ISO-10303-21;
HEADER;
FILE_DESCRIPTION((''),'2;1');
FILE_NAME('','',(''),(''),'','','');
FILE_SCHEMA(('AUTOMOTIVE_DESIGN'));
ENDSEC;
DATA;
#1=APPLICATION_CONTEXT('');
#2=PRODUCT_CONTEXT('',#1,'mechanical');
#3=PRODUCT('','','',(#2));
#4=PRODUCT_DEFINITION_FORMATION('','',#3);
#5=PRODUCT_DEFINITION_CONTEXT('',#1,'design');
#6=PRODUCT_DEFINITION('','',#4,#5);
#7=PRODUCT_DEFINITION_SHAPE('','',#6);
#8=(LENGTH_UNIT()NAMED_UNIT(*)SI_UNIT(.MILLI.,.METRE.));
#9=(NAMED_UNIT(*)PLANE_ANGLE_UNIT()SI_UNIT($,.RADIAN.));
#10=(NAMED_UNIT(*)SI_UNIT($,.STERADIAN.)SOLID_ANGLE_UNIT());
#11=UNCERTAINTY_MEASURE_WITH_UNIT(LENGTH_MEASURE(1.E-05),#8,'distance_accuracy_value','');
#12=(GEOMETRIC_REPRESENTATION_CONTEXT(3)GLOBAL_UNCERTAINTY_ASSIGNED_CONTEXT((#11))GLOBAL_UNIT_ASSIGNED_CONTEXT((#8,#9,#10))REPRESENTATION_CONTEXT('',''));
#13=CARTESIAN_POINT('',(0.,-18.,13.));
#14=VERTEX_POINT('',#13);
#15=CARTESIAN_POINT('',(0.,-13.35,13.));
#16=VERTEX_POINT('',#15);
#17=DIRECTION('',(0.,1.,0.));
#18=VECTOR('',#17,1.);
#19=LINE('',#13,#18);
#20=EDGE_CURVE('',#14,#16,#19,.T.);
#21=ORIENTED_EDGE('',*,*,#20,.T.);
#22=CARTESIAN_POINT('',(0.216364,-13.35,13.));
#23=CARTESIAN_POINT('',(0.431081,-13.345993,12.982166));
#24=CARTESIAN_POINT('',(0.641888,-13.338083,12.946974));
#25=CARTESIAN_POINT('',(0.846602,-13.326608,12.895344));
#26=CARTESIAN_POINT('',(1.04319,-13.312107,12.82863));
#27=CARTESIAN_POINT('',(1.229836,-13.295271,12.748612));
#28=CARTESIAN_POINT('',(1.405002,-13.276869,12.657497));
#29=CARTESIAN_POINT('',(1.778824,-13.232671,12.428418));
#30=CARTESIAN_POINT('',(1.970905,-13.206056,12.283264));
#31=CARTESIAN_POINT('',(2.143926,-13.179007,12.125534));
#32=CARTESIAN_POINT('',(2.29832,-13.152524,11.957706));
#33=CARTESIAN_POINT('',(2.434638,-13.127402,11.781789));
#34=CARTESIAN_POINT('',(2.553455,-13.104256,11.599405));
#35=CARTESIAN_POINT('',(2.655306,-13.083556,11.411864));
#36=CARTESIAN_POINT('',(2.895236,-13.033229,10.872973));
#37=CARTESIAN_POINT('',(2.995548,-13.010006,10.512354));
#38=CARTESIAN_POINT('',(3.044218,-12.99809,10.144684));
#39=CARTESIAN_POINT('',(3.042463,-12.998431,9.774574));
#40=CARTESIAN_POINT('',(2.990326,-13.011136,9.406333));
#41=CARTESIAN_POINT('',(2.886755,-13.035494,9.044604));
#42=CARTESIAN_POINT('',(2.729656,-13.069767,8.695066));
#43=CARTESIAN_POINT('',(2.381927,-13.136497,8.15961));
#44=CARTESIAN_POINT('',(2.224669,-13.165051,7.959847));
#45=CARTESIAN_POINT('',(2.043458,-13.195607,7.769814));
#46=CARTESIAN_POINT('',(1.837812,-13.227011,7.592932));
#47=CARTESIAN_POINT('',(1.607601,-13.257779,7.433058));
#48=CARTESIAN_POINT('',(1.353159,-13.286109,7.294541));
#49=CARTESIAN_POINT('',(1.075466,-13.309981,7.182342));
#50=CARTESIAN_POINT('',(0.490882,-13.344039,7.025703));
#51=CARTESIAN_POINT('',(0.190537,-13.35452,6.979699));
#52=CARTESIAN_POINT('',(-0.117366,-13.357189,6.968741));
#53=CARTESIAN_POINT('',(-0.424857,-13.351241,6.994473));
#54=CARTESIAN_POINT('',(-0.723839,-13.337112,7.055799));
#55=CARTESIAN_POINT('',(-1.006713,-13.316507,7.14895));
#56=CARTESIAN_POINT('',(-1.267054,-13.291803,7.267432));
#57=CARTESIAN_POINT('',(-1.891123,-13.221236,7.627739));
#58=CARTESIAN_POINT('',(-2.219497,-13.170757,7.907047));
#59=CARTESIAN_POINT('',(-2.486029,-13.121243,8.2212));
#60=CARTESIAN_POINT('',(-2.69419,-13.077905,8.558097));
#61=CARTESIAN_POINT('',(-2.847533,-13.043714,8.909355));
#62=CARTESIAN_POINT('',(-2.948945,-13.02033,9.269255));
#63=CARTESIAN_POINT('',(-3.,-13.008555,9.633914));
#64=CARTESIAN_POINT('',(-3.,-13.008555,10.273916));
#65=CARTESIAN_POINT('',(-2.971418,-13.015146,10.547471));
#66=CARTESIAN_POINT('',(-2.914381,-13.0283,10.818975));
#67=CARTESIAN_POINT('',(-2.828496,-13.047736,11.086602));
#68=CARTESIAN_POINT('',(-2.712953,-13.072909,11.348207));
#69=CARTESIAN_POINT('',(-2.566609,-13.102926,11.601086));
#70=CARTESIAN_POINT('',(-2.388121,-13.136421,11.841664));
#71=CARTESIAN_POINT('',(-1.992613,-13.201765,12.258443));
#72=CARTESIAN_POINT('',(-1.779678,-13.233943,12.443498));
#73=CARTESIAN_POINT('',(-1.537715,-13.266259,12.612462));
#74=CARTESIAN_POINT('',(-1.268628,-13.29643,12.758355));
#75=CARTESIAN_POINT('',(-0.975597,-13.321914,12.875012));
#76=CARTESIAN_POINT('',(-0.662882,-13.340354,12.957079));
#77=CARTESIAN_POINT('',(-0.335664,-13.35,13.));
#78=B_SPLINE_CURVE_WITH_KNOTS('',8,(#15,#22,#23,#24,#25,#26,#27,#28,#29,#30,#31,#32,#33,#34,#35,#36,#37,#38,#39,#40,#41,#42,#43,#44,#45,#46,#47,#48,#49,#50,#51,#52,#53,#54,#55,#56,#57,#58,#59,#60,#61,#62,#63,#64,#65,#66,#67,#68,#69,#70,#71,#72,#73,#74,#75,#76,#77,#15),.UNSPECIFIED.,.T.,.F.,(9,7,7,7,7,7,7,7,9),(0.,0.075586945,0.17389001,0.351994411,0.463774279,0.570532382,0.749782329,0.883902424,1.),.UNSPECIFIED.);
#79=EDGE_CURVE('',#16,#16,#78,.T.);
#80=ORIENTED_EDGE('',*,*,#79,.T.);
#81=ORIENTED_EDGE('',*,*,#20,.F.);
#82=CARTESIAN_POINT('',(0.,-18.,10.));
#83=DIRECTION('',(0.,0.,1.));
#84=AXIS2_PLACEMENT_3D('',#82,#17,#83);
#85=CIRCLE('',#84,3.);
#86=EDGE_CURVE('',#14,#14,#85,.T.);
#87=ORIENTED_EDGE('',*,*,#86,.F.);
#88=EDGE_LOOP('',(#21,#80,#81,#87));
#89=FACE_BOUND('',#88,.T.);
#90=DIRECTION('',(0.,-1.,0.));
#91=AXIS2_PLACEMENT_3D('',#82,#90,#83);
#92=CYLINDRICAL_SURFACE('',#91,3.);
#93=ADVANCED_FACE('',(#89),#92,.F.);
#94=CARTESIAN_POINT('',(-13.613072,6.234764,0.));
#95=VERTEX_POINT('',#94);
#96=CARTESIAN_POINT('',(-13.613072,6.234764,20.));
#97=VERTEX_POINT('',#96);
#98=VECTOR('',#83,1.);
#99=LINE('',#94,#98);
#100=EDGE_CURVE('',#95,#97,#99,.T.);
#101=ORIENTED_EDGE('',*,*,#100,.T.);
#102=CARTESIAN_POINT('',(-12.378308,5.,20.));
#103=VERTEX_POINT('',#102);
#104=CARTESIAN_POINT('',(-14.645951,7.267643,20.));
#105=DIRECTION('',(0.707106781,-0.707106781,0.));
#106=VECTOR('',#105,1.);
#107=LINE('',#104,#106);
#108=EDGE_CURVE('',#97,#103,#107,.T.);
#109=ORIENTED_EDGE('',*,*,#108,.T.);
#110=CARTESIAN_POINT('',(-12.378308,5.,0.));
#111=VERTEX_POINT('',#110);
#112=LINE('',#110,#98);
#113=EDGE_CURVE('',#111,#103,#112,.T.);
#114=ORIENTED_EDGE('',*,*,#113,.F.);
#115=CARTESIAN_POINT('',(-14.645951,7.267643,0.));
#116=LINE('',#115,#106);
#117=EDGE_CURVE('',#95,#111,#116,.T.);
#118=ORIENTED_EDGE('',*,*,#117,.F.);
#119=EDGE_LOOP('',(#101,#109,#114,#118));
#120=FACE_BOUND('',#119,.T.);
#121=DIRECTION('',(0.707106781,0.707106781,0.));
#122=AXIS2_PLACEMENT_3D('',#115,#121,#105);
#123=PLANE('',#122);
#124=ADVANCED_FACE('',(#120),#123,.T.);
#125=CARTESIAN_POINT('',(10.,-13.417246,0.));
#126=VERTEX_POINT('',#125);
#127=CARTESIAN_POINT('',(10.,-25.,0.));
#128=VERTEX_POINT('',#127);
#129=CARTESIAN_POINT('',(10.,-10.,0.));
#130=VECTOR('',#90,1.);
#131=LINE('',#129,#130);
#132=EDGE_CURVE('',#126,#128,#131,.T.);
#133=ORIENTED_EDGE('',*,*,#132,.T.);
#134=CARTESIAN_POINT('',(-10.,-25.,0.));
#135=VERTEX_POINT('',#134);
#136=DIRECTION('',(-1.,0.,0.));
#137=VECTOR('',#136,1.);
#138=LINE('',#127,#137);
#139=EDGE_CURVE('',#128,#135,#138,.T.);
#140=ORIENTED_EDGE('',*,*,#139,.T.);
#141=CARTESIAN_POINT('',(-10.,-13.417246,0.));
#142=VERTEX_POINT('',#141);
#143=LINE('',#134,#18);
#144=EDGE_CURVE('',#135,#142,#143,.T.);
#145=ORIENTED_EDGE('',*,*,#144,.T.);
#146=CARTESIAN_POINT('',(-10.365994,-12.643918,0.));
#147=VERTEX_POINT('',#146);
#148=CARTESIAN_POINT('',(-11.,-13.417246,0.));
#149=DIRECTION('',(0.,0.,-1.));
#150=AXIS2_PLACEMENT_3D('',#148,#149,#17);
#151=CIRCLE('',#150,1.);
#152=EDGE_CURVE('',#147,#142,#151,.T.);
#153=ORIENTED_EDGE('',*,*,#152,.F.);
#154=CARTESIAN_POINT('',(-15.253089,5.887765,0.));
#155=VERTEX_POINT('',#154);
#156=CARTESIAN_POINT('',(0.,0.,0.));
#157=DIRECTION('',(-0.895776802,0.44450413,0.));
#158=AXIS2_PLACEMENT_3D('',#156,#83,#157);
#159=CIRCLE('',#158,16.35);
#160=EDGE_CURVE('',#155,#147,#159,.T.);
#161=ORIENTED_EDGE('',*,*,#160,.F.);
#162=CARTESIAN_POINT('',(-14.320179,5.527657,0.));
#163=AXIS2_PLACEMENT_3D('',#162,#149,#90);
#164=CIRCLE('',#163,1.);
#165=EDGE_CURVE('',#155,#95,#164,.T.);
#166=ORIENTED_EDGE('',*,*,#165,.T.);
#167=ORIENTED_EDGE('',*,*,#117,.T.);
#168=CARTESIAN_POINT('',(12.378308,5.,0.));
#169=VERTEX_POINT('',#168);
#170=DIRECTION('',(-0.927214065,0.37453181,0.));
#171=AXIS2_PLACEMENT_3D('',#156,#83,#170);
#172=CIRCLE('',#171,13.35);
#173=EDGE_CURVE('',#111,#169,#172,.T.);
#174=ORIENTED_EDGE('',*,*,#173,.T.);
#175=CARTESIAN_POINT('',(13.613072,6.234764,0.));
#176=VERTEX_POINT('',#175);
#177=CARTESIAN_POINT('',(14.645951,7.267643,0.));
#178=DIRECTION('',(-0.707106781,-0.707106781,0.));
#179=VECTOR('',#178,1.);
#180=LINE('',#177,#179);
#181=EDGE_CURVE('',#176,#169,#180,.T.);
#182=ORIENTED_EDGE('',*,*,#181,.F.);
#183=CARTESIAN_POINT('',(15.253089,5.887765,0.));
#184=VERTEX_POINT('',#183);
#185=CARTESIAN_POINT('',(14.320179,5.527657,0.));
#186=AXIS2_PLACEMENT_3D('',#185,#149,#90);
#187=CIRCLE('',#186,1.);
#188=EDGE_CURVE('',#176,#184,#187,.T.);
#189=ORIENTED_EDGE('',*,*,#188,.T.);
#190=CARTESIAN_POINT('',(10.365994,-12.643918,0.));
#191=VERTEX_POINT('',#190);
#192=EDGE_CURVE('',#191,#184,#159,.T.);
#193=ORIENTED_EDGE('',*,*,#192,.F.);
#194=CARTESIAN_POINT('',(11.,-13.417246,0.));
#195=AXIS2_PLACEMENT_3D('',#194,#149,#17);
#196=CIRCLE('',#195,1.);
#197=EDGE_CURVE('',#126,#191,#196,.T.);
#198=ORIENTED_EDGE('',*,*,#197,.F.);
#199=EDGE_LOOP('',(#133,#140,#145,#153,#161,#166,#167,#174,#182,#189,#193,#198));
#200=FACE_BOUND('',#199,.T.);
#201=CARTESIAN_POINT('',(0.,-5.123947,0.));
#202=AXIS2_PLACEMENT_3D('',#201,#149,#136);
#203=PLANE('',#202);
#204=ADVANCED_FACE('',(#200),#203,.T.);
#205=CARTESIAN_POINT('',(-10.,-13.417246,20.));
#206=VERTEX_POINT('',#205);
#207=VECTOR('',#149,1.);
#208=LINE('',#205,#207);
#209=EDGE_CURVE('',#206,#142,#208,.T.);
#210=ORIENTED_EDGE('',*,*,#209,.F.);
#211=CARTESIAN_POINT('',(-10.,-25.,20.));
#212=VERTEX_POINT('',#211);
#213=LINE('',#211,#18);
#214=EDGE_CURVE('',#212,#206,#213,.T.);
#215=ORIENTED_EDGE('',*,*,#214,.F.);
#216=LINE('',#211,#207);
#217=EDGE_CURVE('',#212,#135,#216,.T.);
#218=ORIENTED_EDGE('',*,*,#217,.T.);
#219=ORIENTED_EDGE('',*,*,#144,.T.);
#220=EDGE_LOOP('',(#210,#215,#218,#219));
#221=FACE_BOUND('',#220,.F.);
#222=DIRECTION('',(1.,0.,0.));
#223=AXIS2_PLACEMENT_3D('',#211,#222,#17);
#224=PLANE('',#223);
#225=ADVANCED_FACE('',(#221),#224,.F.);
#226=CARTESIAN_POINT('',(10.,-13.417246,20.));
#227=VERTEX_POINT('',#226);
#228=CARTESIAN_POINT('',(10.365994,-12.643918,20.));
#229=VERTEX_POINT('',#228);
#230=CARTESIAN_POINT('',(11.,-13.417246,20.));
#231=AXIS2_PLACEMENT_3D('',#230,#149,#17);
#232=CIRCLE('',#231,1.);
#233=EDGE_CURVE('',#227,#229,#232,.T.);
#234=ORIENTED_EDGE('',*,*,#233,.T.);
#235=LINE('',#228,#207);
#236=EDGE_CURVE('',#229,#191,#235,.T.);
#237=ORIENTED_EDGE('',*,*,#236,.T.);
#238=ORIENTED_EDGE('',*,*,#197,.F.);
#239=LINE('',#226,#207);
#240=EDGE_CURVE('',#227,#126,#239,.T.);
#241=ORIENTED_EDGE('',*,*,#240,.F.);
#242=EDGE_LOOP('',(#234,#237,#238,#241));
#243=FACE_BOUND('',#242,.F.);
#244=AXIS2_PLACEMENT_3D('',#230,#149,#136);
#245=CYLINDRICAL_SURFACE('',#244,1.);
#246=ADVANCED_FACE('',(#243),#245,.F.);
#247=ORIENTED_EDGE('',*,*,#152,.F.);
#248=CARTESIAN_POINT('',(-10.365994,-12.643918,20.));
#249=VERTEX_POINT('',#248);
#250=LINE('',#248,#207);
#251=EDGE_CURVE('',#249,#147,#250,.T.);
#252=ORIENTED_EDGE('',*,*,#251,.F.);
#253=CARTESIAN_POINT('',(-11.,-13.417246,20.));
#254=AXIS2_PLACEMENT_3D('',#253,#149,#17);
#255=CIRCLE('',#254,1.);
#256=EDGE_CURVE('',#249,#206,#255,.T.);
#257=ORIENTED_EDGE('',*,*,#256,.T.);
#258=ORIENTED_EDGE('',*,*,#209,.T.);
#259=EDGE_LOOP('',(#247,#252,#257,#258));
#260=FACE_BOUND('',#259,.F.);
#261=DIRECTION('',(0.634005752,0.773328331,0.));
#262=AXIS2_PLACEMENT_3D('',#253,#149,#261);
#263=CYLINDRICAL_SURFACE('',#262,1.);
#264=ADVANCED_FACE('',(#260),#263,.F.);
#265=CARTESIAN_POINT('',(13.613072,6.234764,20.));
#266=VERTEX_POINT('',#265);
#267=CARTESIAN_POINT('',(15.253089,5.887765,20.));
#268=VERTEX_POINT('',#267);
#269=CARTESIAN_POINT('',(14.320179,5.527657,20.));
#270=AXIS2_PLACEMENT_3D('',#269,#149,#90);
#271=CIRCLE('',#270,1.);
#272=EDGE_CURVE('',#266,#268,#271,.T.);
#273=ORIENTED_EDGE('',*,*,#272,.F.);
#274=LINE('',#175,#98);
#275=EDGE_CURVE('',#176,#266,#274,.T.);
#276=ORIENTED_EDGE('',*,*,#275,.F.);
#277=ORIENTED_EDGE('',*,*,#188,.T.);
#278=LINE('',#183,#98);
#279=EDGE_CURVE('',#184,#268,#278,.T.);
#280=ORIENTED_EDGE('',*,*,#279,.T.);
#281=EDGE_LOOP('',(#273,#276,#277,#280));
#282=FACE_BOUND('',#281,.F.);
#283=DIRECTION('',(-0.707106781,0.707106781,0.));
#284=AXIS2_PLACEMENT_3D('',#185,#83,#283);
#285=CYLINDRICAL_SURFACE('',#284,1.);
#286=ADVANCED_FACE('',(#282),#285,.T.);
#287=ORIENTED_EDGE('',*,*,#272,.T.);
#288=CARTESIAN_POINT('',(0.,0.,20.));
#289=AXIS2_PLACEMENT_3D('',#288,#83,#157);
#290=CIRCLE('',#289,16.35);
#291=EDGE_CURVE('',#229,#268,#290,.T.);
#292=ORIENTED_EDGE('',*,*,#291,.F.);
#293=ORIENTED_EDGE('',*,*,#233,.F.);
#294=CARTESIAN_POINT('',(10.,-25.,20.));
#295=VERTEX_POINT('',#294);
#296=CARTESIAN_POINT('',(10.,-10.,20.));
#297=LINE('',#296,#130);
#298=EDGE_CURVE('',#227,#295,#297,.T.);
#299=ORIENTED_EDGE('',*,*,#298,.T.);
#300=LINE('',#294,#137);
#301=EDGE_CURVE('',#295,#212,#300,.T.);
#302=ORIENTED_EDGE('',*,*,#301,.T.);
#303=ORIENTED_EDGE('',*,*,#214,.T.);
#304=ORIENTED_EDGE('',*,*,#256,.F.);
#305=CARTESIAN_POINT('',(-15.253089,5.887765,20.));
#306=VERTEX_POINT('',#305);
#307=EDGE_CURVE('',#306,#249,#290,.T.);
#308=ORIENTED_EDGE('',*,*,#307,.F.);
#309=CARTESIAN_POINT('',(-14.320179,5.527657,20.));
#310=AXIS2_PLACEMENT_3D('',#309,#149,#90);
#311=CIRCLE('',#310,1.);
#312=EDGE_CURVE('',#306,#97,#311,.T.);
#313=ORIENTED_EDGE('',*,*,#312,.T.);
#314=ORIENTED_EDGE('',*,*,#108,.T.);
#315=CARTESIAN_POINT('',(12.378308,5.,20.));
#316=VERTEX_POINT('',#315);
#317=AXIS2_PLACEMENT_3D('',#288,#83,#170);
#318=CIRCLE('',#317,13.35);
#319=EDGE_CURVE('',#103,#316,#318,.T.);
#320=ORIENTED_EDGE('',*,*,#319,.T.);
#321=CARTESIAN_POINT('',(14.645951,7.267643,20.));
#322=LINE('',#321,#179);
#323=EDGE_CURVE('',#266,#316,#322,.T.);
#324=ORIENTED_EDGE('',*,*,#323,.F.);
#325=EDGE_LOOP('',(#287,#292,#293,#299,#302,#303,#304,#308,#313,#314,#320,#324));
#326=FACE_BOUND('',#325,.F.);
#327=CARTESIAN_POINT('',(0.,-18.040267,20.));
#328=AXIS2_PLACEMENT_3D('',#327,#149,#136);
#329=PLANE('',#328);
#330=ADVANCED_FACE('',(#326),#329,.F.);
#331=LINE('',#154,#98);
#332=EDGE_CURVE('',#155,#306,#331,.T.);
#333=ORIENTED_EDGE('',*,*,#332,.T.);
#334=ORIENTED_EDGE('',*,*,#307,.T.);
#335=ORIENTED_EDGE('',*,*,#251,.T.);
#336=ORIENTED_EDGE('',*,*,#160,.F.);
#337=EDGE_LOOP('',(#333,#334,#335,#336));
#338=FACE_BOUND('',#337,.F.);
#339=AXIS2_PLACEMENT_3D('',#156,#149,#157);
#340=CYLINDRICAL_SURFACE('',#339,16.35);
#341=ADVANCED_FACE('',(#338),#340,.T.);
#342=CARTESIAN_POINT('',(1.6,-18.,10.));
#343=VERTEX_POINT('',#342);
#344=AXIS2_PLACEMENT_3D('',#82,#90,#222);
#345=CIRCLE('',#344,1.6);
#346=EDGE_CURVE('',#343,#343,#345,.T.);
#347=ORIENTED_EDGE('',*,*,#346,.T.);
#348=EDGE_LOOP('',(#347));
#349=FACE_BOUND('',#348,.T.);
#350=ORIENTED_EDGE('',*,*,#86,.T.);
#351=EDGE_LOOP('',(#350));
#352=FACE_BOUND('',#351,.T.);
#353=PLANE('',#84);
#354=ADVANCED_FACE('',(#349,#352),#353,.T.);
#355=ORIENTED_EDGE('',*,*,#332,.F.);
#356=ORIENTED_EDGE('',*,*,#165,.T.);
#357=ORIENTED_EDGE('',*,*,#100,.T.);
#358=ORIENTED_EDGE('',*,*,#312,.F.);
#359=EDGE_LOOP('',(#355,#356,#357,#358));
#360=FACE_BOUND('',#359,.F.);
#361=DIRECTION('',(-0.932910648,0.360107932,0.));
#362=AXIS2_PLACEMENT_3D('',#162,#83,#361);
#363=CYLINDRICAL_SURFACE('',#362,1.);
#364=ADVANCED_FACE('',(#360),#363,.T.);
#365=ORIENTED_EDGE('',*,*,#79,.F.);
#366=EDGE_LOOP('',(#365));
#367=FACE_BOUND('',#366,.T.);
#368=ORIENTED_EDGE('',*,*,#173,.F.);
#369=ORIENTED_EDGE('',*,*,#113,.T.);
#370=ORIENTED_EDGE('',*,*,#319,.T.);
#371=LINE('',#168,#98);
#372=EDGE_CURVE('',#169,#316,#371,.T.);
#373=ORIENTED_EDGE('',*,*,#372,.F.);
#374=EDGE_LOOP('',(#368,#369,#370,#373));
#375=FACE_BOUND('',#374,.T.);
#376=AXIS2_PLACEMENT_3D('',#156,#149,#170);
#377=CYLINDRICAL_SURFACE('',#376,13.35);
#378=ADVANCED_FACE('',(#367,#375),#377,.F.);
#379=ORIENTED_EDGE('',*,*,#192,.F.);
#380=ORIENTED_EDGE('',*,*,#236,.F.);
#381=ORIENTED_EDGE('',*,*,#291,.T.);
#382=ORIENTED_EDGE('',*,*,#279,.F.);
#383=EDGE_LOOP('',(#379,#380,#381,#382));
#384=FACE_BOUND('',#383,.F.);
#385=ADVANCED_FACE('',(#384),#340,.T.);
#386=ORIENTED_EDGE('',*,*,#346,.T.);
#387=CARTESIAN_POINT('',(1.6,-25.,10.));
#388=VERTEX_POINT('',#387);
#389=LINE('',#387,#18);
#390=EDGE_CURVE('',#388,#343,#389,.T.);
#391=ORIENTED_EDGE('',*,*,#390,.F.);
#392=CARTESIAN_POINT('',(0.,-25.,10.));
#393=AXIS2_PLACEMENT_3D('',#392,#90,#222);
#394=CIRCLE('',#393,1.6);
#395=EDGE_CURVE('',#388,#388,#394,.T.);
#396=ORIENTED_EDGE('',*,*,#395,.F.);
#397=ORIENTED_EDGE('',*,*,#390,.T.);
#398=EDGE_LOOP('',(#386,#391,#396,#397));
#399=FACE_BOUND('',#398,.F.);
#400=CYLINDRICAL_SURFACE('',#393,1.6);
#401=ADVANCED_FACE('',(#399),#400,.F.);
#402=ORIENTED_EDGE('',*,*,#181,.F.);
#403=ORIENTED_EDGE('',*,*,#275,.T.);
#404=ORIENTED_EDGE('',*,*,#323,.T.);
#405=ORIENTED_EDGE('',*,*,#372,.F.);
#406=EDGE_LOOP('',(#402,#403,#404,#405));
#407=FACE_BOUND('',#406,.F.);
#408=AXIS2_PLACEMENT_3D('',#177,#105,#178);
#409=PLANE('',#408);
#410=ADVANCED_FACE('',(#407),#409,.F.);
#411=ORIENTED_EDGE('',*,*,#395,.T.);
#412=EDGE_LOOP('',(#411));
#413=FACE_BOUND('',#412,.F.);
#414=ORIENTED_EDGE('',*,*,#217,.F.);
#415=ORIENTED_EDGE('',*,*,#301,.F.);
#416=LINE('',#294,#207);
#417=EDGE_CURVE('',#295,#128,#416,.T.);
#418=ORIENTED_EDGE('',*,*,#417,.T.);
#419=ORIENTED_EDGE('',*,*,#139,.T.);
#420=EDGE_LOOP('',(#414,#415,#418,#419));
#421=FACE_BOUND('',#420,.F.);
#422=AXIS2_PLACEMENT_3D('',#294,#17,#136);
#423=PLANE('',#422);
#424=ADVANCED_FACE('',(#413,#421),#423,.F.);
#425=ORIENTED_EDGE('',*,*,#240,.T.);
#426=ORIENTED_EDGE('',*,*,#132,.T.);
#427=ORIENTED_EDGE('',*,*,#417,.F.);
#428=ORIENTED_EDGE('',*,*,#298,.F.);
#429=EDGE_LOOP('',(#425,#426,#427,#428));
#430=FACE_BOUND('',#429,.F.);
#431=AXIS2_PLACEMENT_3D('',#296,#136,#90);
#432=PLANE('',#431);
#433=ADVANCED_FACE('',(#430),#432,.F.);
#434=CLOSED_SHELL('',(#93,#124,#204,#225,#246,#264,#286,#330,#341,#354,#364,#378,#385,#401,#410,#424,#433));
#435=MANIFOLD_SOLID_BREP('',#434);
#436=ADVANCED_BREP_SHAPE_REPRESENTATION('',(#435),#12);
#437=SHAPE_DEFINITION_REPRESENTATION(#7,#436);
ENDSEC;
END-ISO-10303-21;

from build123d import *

# Parameters (mm, degrees)
CYLINDER_R     = 3
CYLINDER_DEPTH = 10
PAD_DEPTH      = 20
PAD001_DEPTH   = 20
SKETCH002_R    = 1.6
POCKET_DEPTH   = 32.268643
FILLET_R       = 1
FILLET001_R    = 1


with BuildPart() as cylinder:
    # Cylinder → Cylinder (new body)
    with BuildSketch(Plane(origin=(0, -18, 10), x_dir=(0, 0, 1), z_dir=(0, 1, 0))):
        Circle(CYLINDER_R)
    extrude(amount=CYLINDER_DEPTH)


with BuildPart() as fillet001:
    # Sketch → Pad (new body)
    with BuildSketch(Plane.XY):
        with BuildLine():
            ThreePointArc((-12.378308, 5), (0, -13.35), (12.378308, 5))
            Line((14.645951, 7.267643), (12.378308, 5))
            ThreePointArc((-14.645951, 7.267643), (0, -16.35), (14.645951, 7.267643))
            Line((-14.645951, 7.267643), (-12.378308, 5))
        make_face()
    extrude(amount=PAD_DEPTH)

    # Sketch001 → Pad001 (new body)
    with BuildSketch(Plane.XY.offset(20)):
        with BuildLine():
            ThreePointArc((-10, -10), (0, -14.142136), (10, -10))
            Line((10, -10), (10, -25))
            Line((10, -25), (-10, -25))
            Line((-10, -25), (-10, -10))
        make_face()
    extrude(amount=-PAD001_DEPTH)

    # Sketch002 → Pocket (cut, through all)
    with BuildSketch(Plane.XZ.offset(25)):
        with Locations((0, 10)):
            Circle(SKETCH002_R)
    extrude(amount=-POCKET_DEPTH, mode=Mode.SUBTRACT)

    # Cut: cut Cylinder
    add(cylinder.part, mode=Mode.SUBTRACT)

    # Fillet
    fillet_edges = [fillet001.edges().sort_by_distance(p)[0] for p in [
        (-14.645951, 7.267643, 10),
        (14.645951, 7.267643, 10),
    ]]
    fillet(fillet_edges, radius=FILLET_R)

    # Fillet001
    fillet001_edges = [fillet001.edges().sort_by_distance(p)[0] for p in [
        (-10, -12.93532, 10),
        (10, -12.93532, 10),
    ]]
    fillet(fillet001_edges, radius=FILLET001_R)


solid = fillet001.part
